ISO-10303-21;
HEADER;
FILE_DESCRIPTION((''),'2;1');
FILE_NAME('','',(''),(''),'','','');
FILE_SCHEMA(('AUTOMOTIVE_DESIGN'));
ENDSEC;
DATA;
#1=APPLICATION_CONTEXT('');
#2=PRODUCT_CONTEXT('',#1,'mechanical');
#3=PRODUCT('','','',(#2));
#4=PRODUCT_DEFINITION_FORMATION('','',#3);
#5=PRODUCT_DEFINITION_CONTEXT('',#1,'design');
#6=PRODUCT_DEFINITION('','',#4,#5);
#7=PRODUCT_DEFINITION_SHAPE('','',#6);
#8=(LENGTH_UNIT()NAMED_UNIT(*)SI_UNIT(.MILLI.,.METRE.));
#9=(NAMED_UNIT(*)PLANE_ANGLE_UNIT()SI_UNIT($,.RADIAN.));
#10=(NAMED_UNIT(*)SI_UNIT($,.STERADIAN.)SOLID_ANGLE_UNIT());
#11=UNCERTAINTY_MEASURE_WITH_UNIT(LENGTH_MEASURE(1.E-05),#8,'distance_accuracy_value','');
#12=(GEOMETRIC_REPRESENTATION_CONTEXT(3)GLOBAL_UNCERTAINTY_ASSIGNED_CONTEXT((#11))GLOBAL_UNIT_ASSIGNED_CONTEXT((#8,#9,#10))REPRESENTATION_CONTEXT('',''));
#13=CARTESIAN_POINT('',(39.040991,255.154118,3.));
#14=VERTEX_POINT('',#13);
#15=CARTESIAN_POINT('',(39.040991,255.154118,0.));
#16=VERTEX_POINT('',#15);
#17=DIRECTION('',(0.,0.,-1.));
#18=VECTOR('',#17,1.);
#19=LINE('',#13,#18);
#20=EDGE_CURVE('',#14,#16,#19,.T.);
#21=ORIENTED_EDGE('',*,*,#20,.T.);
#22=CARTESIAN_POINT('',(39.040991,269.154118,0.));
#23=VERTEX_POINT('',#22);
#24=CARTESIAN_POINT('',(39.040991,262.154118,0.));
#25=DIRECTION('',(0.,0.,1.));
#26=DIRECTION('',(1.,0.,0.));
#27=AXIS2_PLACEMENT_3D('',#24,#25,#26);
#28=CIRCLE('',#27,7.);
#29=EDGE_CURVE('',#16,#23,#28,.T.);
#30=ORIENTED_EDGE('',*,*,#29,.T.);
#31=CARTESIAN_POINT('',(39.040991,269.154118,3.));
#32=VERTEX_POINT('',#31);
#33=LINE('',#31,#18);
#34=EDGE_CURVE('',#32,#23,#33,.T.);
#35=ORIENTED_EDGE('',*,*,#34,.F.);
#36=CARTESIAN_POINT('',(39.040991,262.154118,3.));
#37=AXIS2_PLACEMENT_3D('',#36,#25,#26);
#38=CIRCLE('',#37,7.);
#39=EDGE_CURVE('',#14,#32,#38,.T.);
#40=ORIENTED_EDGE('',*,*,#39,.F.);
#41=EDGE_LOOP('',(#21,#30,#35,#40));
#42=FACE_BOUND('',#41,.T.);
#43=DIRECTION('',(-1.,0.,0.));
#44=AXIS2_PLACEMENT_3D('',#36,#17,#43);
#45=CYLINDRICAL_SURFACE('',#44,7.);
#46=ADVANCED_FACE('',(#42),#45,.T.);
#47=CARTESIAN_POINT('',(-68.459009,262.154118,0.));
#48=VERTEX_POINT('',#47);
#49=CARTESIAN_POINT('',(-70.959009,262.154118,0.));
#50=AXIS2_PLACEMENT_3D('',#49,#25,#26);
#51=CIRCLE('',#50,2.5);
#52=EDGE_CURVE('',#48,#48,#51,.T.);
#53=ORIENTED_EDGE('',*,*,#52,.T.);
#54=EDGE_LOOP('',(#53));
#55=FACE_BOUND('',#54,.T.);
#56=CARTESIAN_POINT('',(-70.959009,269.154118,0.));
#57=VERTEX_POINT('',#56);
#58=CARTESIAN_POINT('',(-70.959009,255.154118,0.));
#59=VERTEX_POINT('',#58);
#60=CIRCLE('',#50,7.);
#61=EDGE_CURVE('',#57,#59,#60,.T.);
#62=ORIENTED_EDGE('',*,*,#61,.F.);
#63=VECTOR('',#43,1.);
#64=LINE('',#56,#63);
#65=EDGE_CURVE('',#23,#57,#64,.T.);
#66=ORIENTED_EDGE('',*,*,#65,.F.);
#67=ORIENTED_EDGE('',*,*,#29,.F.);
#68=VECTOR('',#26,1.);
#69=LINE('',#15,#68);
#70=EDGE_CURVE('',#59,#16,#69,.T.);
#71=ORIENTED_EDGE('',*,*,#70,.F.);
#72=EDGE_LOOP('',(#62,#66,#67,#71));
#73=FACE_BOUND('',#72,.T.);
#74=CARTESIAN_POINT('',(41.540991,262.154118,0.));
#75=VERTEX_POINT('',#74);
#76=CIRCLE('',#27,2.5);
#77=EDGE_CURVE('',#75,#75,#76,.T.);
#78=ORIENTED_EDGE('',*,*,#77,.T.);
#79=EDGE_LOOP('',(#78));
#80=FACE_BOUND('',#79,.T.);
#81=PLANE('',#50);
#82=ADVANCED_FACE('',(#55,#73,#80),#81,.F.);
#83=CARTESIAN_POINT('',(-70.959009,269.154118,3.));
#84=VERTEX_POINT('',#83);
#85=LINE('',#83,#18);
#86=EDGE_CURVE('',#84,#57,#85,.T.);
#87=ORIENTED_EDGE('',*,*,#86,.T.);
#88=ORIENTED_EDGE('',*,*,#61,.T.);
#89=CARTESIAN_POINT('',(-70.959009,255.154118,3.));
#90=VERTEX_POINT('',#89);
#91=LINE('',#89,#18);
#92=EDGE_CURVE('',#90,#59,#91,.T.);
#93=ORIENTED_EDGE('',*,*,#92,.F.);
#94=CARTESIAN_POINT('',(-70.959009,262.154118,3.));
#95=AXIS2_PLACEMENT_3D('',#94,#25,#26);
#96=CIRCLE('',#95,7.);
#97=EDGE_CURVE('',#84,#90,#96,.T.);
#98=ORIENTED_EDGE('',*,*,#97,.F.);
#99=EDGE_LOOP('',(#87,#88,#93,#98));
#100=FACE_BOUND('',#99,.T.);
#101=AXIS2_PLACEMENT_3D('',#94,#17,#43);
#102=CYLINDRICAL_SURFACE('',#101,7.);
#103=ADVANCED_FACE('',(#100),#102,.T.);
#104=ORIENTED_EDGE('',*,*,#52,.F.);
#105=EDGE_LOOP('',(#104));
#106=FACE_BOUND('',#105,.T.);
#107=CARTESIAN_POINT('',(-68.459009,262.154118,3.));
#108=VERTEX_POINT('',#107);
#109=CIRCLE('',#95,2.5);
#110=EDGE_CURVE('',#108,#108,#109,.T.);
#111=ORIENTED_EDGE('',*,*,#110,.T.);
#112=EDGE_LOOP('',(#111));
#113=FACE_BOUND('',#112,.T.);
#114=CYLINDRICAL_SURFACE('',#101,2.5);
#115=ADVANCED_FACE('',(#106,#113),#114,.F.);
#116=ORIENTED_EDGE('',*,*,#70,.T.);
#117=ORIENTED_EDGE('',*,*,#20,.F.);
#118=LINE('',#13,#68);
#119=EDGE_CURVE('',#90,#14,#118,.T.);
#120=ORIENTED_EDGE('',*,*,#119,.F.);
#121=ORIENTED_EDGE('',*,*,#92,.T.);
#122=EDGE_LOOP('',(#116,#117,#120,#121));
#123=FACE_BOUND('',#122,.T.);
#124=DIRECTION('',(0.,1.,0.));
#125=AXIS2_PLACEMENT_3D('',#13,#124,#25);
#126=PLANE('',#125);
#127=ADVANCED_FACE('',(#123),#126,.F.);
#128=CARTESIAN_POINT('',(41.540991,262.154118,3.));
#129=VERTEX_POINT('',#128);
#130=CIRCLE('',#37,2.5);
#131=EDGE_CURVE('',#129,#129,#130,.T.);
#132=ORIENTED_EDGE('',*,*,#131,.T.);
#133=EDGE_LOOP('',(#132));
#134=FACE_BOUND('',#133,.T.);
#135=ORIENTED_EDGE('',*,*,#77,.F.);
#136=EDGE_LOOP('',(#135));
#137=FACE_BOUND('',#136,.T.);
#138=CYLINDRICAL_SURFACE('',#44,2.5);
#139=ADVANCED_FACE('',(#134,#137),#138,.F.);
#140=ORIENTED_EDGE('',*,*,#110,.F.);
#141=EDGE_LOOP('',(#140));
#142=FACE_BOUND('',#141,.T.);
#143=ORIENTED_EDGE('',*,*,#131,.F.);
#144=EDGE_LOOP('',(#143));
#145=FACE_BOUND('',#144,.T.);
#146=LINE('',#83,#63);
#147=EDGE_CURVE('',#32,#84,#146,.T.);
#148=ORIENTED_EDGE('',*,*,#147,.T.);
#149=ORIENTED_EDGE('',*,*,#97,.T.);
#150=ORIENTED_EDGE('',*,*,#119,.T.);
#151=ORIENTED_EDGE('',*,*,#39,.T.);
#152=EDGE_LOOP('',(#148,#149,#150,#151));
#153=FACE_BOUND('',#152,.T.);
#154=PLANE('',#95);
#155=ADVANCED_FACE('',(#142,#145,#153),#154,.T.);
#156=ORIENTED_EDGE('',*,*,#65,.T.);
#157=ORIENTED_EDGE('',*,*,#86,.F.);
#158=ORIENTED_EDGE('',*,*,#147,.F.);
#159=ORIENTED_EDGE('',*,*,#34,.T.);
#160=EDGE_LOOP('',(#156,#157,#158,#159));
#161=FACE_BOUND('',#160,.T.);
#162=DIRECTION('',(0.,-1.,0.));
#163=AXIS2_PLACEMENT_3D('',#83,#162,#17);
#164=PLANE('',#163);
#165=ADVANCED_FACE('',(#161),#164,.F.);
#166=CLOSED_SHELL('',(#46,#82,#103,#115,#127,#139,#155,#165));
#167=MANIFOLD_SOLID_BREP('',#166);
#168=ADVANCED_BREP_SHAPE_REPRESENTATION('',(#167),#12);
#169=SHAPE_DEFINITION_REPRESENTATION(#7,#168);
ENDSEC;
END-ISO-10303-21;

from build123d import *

# Parameters (mm, degrees)
SKETCH1_R           = 2.5
BOSS_EXTRUDE1_DEPTH = 3


with BuildPart() as part:
    # Sketch1 → Boss-Extrude1 (new body)
    with BuildSketch(Plane.XY):
        with BuildLine():
            Line((-70.959009299, 269.154117688), (39.040990701, 269.154117688))
            ThreePointArc((39.040990701, 269.154117688), (46.040990701, 262.154117688), (39.040990701, 255.154117688))
            Line((39.040990701, 255.154117688), (-70.959009299, 255.154117688))
            ThreePointArc((-70.959009299, 255.154117688), (-77.959009299, 262.154117688), (-70.959009299, 269.154117688))
        make_face()
        with Locations((-70.959009299, 262.154117688)):
            Circle(SKETCH1_R, mode=Mode.SUBTRACT)
        with Locations((39.040990701, 262.154117688)):
            Circle(SKETCH1_R, mode=Mode.SUBTRACT)
    extrude(amount=BOSS_EXTRUDE1_DEPTH)


solid = part.part
